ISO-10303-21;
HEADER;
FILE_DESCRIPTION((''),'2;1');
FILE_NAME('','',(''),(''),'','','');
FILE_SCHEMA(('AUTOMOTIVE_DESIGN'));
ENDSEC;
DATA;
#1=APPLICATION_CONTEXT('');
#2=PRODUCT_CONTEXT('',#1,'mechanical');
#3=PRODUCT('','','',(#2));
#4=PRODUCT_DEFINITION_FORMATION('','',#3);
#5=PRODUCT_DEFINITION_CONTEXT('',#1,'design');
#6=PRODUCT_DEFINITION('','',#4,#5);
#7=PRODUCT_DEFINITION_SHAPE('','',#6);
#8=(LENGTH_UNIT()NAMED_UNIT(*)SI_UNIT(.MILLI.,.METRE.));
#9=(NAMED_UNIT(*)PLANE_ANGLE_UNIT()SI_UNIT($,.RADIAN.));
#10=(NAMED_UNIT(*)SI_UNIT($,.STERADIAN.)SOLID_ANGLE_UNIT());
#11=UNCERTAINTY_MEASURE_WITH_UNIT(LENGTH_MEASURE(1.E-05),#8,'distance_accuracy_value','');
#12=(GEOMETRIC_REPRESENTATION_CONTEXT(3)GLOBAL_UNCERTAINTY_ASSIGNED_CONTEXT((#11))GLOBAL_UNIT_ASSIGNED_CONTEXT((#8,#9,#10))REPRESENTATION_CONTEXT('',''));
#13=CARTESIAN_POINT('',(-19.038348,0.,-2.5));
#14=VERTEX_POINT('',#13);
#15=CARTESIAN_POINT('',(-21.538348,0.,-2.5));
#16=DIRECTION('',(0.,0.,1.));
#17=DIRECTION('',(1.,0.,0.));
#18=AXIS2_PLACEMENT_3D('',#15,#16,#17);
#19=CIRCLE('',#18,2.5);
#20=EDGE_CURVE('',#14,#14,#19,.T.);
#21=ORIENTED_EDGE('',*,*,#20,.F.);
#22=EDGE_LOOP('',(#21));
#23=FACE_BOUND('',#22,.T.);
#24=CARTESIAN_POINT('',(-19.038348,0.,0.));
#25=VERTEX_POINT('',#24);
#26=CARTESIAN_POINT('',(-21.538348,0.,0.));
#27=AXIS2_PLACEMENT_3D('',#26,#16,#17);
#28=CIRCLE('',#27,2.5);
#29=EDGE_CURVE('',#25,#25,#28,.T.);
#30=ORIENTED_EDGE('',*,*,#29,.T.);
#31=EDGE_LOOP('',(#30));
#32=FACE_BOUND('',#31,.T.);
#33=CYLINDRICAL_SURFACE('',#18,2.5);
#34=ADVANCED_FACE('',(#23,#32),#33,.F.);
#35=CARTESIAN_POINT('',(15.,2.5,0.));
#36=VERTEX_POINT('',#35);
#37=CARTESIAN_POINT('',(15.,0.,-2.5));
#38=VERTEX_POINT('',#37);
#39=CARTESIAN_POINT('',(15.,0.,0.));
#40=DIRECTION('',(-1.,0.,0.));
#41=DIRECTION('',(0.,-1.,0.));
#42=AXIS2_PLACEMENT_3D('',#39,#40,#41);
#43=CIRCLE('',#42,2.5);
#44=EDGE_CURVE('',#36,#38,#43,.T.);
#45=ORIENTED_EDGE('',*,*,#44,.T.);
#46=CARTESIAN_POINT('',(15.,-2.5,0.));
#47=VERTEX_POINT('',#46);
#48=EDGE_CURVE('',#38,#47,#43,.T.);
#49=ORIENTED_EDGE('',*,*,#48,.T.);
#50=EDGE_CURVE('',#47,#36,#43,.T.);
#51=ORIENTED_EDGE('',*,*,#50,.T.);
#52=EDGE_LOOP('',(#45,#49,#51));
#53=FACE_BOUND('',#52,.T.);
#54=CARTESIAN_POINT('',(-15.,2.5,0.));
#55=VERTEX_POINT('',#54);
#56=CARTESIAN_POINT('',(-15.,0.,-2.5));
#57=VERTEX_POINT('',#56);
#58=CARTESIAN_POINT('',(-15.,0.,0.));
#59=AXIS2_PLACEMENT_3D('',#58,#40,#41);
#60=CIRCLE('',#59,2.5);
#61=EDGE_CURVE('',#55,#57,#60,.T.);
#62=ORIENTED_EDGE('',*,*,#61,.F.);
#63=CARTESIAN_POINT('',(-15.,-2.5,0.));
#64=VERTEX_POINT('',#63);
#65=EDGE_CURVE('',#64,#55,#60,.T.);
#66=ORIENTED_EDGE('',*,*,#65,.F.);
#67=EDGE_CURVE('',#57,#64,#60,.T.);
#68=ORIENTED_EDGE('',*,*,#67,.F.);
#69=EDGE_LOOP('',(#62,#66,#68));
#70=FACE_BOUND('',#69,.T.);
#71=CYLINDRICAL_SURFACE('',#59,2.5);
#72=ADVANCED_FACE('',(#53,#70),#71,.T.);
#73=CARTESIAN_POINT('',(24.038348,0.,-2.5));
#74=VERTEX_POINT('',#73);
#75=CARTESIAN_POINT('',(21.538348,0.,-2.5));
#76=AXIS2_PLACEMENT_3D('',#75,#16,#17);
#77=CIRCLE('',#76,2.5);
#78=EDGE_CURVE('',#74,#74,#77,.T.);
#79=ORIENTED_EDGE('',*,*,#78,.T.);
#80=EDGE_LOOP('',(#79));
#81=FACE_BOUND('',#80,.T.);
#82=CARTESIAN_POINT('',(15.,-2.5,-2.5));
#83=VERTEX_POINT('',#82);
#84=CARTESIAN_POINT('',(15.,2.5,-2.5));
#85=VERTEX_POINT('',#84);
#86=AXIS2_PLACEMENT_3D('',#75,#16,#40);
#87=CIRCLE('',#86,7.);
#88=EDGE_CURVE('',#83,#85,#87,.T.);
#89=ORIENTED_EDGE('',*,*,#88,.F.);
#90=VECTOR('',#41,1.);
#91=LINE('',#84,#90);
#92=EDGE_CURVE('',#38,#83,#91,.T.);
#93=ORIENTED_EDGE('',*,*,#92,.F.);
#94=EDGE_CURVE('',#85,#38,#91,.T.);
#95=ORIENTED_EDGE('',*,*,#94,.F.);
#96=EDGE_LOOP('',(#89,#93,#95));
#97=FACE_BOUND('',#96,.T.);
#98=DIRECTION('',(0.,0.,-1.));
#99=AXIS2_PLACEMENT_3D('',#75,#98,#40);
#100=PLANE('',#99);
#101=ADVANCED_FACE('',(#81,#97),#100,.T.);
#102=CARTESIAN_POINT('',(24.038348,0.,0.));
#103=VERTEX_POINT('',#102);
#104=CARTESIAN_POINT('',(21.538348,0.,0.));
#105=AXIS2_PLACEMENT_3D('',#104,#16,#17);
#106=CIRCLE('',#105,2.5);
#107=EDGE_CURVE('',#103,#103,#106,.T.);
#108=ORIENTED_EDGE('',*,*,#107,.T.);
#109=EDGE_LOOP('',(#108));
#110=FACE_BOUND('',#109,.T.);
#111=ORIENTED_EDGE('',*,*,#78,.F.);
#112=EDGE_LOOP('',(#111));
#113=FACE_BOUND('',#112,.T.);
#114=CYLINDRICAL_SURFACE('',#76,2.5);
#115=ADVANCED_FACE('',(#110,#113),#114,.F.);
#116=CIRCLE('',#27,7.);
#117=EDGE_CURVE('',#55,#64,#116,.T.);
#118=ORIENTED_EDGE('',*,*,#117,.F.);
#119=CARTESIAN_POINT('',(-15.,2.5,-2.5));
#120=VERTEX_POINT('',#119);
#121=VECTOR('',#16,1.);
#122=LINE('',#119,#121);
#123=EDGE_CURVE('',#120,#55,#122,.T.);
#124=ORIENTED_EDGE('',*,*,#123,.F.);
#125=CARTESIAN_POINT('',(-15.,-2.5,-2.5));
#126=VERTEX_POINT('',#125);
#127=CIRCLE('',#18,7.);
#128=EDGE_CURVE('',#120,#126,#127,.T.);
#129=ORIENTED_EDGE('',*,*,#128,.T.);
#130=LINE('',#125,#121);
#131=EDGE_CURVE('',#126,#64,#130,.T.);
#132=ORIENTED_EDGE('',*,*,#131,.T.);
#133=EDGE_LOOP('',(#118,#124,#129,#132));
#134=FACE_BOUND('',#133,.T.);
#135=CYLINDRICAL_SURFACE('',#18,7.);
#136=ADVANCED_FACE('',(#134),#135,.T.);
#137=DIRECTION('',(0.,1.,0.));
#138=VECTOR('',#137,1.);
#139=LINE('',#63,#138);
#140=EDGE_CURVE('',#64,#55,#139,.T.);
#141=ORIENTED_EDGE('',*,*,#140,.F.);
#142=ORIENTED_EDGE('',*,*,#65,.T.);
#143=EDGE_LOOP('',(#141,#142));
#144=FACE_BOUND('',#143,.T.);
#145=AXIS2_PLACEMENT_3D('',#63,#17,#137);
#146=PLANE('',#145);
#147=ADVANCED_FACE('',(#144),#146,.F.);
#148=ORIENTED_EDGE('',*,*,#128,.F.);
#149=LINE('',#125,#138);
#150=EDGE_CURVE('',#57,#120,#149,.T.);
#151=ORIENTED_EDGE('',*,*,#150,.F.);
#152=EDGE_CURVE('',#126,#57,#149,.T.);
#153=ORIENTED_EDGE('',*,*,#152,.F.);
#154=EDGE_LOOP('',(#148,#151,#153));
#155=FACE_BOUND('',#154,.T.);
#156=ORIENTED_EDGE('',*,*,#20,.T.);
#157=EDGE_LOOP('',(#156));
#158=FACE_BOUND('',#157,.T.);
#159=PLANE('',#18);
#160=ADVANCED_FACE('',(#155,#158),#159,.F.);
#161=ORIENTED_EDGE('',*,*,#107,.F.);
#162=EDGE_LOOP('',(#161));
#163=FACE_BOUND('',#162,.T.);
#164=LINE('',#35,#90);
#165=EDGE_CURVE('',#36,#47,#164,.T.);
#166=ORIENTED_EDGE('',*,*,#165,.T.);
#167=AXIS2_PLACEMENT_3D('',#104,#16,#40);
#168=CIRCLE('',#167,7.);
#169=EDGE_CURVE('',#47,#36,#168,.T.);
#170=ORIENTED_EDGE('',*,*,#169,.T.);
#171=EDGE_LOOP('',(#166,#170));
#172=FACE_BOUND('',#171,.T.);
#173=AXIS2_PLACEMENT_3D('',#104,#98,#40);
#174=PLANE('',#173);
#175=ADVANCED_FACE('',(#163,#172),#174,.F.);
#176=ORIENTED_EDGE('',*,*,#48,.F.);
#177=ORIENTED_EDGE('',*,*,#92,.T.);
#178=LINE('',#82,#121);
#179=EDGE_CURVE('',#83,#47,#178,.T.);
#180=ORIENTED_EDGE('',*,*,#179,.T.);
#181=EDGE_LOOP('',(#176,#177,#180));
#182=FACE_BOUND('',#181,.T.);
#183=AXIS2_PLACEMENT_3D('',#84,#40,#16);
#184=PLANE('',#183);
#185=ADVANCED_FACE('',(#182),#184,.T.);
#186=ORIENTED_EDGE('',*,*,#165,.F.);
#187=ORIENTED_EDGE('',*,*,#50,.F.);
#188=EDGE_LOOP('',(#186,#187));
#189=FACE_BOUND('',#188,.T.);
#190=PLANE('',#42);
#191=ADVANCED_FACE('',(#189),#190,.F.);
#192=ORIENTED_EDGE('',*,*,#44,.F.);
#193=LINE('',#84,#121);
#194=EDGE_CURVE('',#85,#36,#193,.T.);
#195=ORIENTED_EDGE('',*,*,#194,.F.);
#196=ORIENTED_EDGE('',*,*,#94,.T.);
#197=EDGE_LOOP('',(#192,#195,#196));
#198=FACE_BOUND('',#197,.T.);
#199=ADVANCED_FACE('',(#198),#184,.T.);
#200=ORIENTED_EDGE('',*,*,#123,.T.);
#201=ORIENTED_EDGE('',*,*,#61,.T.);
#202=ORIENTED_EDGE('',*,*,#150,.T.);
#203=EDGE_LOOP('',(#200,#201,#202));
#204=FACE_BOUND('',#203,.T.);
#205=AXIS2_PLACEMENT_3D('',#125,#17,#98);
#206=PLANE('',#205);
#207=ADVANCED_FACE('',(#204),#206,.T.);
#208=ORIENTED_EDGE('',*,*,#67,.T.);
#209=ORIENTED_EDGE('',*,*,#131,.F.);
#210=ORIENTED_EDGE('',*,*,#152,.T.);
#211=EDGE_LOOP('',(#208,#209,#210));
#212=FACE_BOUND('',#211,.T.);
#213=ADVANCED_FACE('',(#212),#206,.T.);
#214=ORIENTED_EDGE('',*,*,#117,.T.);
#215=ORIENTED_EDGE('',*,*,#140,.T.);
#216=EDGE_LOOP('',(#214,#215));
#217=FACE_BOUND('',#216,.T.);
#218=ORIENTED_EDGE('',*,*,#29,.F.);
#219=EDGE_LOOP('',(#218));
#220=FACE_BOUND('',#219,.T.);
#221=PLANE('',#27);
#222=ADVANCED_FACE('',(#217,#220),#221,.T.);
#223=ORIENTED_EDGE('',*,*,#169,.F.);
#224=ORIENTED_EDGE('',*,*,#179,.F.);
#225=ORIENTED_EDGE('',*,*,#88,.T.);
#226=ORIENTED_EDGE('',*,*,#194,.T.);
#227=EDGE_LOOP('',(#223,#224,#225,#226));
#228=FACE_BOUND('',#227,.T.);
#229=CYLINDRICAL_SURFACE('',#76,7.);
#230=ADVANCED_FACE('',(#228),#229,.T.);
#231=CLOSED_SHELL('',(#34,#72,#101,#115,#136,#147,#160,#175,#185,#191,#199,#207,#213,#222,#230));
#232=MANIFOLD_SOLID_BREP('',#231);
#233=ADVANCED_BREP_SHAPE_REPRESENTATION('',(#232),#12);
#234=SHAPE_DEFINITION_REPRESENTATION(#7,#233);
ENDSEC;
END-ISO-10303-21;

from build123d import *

# Parameters (mm, degrees)
SKETCH1_W           = 30
SKETCH1_H           = 2.5
SKETCH3_R           = 2.5
BOSS_EXTRUDE2_DEPTH = 2.5


with BuildPart() as part:
    # Sketch1 → Revolve-Thin1 (revolve)
    with BuildSketch(Plane.XY):
        with Locations((0, 1.25)):
            Rectangle(SKETCH1_W, SKETCH1_H)
    revolve(axis=Axis((-15, 0, 0), (1, 0, 0)))

    # Sketch3 → Boss-Extrude2 (add)
    with BuildSketch(Plane.XY):
        with BuildLine():
            Line((15, 2.5), (15, -2.5))
            ThreePointArc((15, -2.5), (28.538348415, 0), (15, 2.5))
        make_face()
        with Locations((21.538348415, 0)):
            Circle(SKETCH3_R, mode=Mode.SUBTRACT)
        with BuildLine():
            Line((-15, -2.5), (-15, 2.5))
            ThreePointArc((-15, 2.5), (-28.538348415, 0), (-15, -2.5))
        make_face()
        with Locations((-21.538348415, 0)):
            Circle(SKETCH3_R, mode=Mode.SUBTRACT)
    extrude(amount=-BOSS_EXTRUDE2_DEPTH)


solid = part.part
